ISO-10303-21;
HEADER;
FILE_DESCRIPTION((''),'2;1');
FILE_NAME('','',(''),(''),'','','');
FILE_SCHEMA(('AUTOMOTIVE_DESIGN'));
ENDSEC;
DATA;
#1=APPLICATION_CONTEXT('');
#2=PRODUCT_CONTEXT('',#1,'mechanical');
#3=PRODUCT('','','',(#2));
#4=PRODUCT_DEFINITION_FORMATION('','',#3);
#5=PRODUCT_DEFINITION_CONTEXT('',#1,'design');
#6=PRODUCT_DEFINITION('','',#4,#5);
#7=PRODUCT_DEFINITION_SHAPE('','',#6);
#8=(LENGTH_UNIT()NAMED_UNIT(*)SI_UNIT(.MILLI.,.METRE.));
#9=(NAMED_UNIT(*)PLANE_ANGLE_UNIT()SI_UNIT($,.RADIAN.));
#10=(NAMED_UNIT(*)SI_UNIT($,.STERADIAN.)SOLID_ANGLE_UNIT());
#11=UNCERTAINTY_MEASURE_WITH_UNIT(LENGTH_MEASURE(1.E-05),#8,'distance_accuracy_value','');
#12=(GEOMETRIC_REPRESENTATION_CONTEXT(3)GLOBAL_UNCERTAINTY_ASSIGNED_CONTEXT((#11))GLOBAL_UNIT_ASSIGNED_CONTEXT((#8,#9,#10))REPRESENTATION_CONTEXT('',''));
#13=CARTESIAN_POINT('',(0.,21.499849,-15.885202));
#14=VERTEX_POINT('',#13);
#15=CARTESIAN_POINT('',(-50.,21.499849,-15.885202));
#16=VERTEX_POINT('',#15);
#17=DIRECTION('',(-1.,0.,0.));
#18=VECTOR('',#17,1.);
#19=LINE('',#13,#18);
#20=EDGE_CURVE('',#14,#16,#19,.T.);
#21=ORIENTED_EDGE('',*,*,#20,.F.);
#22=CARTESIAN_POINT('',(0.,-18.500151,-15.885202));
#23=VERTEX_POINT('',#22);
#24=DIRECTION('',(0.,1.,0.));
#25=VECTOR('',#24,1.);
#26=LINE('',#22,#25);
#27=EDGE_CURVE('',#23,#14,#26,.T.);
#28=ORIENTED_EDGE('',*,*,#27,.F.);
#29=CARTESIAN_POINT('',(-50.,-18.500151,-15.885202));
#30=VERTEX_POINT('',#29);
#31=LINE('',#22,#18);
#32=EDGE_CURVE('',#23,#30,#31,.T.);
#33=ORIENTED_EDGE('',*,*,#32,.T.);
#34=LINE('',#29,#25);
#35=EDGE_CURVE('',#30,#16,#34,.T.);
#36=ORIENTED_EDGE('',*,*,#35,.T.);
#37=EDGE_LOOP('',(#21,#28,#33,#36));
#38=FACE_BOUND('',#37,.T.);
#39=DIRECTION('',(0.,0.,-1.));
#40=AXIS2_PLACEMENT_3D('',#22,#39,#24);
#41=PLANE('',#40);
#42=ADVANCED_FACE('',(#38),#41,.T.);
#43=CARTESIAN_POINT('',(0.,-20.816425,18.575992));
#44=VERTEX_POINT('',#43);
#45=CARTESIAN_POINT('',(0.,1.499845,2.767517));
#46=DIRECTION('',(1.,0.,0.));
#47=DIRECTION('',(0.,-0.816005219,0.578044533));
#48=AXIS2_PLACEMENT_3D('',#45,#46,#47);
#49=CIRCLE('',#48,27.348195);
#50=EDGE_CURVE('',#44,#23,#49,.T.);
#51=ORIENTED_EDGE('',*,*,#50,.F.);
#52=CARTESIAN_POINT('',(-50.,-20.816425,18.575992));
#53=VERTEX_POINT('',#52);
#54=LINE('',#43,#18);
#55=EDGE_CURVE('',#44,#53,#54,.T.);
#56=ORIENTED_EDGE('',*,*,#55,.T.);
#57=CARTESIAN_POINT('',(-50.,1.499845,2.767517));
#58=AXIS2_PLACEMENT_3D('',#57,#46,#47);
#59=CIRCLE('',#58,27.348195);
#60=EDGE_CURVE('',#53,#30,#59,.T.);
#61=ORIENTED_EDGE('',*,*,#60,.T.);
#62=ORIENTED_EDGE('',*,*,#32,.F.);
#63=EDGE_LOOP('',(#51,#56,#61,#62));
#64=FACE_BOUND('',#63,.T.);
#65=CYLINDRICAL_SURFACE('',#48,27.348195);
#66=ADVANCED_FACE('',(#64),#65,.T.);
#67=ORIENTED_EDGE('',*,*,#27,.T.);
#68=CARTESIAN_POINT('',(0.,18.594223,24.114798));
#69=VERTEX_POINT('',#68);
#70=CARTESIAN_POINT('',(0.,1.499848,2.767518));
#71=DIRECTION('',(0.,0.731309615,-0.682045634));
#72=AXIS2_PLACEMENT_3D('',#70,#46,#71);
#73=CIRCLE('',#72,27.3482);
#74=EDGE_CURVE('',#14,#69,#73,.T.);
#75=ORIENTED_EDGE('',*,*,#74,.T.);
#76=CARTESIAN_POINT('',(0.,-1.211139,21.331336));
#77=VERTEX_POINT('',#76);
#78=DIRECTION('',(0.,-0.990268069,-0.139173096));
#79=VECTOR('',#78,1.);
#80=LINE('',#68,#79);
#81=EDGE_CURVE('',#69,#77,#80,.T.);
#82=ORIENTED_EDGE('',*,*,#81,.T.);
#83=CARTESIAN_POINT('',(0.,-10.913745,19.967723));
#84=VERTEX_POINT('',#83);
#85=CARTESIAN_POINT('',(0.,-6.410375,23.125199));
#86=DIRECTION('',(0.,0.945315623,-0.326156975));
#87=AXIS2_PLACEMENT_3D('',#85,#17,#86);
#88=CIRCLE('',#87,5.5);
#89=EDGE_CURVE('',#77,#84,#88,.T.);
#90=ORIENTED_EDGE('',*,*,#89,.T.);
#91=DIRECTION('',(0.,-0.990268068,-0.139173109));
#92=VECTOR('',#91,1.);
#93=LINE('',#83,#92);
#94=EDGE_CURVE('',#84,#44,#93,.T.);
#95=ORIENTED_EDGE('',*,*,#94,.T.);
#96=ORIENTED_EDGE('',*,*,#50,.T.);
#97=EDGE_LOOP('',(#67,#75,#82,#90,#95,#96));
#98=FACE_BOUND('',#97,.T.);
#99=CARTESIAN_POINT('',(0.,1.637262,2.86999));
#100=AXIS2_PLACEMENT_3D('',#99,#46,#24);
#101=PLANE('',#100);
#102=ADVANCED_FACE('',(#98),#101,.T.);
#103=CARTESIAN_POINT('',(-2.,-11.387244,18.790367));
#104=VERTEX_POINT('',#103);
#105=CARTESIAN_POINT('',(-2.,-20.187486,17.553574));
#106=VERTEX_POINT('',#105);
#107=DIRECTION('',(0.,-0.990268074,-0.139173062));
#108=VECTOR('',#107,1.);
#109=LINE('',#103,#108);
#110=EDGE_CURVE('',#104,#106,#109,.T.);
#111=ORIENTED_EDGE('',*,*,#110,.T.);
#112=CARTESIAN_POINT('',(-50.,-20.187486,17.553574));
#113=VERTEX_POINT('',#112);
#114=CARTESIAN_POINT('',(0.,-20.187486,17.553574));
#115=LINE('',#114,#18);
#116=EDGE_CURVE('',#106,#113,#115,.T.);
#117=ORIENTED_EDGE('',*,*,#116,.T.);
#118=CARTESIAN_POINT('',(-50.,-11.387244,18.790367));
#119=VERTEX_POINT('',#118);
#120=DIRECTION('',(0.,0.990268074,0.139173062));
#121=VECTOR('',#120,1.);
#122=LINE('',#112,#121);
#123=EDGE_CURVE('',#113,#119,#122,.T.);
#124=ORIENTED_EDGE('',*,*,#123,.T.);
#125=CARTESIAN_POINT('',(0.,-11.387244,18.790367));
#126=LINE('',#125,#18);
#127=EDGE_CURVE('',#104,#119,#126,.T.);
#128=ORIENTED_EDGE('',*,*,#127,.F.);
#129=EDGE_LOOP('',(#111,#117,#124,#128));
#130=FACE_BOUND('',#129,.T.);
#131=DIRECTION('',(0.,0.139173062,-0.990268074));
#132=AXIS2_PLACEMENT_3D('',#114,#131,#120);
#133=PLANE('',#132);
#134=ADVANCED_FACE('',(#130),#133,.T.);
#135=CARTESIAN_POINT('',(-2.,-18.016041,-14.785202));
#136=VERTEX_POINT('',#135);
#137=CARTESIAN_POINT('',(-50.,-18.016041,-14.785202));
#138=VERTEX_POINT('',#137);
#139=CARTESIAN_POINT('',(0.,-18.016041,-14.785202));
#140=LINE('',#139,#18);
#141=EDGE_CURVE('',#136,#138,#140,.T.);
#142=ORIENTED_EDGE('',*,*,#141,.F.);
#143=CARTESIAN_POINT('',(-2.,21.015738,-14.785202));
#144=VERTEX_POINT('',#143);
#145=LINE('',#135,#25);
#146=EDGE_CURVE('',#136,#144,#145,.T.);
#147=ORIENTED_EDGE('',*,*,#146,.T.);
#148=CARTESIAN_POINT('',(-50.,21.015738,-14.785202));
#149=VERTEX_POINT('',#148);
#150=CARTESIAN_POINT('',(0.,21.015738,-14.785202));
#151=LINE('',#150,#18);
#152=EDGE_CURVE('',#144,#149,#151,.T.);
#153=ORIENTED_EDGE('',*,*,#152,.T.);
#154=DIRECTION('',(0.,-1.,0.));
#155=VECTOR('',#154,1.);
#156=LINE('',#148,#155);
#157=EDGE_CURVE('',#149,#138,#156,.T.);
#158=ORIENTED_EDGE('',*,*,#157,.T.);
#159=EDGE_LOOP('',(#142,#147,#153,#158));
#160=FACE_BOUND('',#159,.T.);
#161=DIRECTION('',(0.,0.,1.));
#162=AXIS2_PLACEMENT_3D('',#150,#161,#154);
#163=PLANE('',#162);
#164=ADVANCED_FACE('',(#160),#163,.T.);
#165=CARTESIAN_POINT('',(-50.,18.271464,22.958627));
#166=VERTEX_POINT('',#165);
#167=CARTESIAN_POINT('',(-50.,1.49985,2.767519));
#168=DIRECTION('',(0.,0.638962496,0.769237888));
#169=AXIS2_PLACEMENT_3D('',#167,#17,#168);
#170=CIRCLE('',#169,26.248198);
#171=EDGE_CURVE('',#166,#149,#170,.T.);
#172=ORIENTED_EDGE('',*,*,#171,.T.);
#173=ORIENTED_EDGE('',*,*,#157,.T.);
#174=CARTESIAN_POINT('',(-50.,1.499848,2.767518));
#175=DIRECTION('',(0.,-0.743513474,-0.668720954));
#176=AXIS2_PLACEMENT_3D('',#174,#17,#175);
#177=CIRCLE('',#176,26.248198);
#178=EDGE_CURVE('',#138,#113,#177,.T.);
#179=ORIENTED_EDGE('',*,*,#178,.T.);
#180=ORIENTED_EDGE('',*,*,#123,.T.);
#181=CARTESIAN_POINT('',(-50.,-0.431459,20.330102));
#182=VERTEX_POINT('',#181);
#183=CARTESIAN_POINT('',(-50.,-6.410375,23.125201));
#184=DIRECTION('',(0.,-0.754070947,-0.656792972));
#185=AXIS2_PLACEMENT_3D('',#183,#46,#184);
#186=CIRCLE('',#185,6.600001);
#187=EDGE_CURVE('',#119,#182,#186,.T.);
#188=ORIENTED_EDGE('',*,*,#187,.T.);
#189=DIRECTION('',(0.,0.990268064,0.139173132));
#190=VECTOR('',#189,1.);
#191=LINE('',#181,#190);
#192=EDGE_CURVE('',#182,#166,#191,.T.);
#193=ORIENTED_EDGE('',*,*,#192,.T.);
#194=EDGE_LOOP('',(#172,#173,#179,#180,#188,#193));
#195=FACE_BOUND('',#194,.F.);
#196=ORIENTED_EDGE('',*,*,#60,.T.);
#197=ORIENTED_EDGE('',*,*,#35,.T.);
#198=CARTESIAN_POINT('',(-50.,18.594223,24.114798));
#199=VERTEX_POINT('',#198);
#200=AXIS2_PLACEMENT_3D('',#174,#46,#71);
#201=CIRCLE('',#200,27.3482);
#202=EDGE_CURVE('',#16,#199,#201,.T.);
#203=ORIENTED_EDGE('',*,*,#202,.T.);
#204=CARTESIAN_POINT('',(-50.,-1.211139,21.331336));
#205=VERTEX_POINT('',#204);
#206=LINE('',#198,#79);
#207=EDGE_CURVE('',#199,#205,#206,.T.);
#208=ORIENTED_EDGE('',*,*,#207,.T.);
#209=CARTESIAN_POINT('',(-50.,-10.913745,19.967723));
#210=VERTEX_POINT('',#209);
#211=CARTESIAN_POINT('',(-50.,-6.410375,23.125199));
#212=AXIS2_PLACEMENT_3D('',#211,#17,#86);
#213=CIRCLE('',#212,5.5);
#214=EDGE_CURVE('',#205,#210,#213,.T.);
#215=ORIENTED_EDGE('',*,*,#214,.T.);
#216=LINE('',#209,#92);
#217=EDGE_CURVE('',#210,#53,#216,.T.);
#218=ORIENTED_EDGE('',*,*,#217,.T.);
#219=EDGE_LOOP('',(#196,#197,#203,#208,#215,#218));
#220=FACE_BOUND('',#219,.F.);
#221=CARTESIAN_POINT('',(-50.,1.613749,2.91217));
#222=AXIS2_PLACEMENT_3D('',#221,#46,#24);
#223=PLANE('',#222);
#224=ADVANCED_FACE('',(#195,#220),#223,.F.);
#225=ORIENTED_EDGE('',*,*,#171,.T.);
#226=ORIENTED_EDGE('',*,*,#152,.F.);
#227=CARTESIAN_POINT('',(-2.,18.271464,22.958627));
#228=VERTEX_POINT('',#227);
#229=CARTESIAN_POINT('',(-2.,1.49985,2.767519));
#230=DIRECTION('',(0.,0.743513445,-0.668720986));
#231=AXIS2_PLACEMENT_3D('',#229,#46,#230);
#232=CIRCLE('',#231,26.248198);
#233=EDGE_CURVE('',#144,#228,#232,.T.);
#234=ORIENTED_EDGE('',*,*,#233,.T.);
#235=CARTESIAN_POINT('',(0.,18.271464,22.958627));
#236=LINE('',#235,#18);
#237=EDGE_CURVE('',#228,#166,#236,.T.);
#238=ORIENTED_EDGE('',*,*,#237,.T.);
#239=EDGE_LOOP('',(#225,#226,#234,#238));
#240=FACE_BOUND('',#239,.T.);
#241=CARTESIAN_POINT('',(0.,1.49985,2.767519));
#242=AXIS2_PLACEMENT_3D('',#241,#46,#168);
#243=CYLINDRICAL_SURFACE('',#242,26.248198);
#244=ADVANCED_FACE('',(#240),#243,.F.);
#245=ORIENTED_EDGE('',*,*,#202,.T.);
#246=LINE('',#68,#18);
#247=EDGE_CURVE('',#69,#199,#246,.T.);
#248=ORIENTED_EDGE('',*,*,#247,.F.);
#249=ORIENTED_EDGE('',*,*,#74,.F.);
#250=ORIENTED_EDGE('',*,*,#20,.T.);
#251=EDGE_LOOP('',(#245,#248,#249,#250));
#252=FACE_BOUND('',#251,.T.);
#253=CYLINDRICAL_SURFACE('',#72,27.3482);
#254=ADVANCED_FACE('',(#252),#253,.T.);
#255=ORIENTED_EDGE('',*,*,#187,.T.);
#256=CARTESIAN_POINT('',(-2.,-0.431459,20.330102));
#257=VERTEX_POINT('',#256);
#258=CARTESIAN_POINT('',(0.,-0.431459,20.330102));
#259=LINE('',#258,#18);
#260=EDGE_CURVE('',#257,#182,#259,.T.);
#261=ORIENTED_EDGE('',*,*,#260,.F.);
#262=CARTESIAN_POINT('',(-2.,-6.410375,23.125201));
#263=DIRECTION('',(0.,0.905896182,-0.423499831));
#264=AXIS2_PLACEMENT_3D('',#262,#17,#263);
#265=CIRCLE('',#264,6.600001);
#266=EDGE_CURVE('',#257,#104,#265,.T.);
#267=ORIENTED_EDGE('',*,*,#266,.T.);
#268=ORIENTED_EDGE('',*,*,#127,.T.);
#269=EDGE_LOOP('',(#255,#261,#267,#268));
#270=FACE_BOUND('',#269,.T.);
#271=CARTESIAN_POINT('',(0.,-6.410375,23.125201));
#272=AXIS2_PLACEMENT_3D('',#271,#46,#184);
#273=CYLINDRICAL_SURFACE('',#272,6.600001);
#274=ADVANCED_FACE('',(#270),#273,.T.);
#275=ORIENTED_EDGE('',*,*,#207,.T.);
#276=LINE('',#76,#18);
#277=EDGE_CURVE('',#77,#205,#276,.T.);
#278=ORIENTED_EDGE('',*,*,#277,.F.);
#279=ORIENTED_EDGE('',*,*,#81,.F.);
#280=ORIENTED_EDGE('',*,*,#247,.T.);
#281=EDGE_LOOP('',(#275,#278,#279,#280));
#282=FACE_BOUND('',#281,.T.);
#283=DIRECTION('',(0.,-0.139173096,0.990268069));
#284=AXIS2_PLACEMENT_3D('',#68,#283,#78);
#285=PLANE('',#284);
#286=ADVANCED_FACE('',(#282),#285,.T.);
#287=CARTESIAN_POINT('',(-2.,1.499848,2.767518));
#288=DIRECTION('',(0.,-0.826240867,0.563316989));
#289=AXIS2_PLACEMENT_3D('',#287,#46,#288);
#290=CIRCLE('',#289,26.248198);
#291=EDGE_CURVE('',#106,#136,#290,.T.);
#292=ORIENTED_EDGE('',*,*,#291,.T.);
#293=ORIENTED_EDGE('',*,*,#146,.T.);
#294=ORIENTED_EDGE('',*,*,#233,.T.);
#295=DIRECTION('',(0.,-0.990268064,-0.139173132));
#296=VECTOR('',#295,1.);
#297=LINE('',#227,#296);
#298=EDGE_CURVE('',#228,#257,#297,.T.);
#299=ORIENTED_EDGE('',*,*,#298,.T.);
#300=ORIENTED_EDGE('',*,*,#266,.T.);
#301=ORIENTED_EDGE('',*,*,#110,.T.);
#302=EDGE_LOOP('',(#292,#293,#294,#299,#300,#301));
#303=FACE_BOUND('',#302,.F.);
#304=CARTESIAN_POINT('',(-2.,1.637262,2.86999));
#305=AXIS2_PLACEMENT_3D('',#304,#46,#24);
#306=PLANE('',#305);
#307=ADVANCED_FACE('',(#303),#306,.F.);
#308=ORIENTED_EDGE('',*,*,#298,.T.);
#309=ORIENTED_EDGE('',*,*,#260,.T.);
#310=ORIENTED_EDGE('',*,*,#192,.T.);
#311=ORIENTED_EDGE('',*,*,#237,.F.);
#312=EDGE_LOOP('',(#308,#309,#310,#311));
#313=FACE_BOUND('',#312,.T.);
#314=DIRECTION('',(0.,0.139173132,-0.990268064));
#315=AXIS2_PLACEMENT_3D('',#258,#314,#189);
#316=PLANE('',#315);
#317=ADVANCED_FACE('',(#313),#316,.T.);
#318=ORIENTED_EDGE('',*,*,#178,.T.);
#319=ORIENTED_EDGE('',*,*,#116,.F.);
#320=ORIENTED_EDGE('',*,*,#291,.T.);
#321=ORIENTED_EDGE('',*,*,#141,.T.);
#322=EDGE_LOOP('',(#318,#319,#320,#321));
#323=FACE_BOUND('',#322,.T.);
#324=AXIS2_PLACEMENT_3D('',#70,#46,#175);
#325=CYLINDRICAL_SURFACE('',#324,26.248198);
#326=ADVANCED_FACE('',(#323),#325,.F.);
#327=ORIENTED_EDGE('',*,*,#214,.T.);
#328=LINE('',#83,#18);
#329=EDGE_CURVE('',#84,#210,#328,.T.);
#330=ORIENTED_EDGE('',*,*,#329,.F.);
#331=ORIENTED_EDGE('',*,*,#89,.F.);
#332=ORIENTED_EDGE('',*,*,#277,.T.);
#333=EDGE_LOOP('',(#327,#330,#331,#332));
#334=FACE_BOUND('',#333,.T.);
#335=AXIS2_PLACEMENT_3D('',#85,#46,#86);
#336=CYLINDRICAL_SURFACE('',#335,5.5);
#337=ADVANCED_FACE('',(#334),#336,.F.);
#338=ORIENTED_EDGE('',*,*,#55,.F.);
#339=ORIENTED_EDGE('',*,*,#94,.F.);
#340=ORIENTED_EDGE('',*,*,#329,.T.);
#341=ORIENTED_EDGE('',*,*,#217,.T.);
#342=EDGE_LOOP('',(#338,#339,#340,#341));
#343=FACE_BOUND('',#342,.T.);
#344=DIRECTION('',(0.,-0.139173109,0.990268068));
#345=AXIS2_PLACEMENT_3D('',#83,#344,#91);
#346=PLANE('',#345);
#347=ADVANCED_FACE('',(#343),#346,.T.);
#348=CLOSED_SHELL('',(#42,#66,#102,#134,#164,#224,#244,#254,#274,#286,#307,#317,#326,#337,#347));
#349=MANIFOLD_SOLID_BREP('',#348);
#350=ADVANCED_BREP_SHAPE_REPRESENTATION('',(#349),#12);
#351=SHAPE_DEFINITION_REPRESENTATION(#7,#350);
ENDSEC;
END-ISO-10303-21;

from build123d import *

# Parameters (mm, degrees)
F1_DEPTH = 50
F2_DEPTH = 2


with BuildPart() as f1:
    # F0 (on Right) → F1 (new body)
    with BuildSketch(Plane.YZ):
        with BuildLine():
            Line((-18.500151, -15.885202), (21.499849, -15.885202))
            ThreePointArc((21.499849, -15.885202), (28.776178, 4.748888), (18.594223, 24.114798))
            Line((18.594223, 24.114798), (-1.211139, 21.331336))
            ThreePointArc((-1.211139, 21.331336), (-5.644923, 17.678725), (-10.913745, 19.967723))
            Line((-10.913745, 19.967723), (-20.816425, 18.575992))
            ThreePointArc((-20.816425, 18.575992), (-25.786783, 0.933475), (-18.500151, -15.885202))
        make_face()
        with BuildLine():
            ThreePointArc((-18.016041, -14.785202), (-24.689377, 1.008996), (-20.187486, 17.553574))
            Line((-20.187486, 17.553574), (-11.387244, 18.790367))
            ThreePointArc((-11.387244, 18.790367), (-5.491832, 16.589431), (-0.431459, 20.330102))
            Line((-0.431459, 20.330102), (18.271464, 22.958627))
            ThreePointArc((18.271464, 22.958627), (27.678942, 4.670945), (21.015738, -14.785202))
            Line((21.015738, -14.785202), (-18.016041, -14.785202))
        make_face(mode=Mode.SUBTRACT)
    extrude(amount=-F1_DEPTH)

    # F0 (on Right) → F2 (join)
    with BuildSketch(Plane.YZ):
        with BuildLine():
            Line((-11.387244, 18.790367), (-20.187486, 17.553574))
            ThreePointArc((-20.187486, 17.553574), (-24.689377, 1.008996), (-18.016041, -14.785202))
            Line((-18.016041, -14.785202), (21.015738, -14.785202))
            ThreePointArc((21.015738, -14.785202), (27.678942, 4.670945), (18.271464, 22.958627))
            Line((18.271464, 22.958627), (-0.431459, 20.330102))
            ThreePointArc((-0.431459, 20.330102), (-5.491832, 16.589431), (-11.387244, 18.790367))
        make_face()
    extrude(amount=-F2_DEPTH)


solid = f1.part
